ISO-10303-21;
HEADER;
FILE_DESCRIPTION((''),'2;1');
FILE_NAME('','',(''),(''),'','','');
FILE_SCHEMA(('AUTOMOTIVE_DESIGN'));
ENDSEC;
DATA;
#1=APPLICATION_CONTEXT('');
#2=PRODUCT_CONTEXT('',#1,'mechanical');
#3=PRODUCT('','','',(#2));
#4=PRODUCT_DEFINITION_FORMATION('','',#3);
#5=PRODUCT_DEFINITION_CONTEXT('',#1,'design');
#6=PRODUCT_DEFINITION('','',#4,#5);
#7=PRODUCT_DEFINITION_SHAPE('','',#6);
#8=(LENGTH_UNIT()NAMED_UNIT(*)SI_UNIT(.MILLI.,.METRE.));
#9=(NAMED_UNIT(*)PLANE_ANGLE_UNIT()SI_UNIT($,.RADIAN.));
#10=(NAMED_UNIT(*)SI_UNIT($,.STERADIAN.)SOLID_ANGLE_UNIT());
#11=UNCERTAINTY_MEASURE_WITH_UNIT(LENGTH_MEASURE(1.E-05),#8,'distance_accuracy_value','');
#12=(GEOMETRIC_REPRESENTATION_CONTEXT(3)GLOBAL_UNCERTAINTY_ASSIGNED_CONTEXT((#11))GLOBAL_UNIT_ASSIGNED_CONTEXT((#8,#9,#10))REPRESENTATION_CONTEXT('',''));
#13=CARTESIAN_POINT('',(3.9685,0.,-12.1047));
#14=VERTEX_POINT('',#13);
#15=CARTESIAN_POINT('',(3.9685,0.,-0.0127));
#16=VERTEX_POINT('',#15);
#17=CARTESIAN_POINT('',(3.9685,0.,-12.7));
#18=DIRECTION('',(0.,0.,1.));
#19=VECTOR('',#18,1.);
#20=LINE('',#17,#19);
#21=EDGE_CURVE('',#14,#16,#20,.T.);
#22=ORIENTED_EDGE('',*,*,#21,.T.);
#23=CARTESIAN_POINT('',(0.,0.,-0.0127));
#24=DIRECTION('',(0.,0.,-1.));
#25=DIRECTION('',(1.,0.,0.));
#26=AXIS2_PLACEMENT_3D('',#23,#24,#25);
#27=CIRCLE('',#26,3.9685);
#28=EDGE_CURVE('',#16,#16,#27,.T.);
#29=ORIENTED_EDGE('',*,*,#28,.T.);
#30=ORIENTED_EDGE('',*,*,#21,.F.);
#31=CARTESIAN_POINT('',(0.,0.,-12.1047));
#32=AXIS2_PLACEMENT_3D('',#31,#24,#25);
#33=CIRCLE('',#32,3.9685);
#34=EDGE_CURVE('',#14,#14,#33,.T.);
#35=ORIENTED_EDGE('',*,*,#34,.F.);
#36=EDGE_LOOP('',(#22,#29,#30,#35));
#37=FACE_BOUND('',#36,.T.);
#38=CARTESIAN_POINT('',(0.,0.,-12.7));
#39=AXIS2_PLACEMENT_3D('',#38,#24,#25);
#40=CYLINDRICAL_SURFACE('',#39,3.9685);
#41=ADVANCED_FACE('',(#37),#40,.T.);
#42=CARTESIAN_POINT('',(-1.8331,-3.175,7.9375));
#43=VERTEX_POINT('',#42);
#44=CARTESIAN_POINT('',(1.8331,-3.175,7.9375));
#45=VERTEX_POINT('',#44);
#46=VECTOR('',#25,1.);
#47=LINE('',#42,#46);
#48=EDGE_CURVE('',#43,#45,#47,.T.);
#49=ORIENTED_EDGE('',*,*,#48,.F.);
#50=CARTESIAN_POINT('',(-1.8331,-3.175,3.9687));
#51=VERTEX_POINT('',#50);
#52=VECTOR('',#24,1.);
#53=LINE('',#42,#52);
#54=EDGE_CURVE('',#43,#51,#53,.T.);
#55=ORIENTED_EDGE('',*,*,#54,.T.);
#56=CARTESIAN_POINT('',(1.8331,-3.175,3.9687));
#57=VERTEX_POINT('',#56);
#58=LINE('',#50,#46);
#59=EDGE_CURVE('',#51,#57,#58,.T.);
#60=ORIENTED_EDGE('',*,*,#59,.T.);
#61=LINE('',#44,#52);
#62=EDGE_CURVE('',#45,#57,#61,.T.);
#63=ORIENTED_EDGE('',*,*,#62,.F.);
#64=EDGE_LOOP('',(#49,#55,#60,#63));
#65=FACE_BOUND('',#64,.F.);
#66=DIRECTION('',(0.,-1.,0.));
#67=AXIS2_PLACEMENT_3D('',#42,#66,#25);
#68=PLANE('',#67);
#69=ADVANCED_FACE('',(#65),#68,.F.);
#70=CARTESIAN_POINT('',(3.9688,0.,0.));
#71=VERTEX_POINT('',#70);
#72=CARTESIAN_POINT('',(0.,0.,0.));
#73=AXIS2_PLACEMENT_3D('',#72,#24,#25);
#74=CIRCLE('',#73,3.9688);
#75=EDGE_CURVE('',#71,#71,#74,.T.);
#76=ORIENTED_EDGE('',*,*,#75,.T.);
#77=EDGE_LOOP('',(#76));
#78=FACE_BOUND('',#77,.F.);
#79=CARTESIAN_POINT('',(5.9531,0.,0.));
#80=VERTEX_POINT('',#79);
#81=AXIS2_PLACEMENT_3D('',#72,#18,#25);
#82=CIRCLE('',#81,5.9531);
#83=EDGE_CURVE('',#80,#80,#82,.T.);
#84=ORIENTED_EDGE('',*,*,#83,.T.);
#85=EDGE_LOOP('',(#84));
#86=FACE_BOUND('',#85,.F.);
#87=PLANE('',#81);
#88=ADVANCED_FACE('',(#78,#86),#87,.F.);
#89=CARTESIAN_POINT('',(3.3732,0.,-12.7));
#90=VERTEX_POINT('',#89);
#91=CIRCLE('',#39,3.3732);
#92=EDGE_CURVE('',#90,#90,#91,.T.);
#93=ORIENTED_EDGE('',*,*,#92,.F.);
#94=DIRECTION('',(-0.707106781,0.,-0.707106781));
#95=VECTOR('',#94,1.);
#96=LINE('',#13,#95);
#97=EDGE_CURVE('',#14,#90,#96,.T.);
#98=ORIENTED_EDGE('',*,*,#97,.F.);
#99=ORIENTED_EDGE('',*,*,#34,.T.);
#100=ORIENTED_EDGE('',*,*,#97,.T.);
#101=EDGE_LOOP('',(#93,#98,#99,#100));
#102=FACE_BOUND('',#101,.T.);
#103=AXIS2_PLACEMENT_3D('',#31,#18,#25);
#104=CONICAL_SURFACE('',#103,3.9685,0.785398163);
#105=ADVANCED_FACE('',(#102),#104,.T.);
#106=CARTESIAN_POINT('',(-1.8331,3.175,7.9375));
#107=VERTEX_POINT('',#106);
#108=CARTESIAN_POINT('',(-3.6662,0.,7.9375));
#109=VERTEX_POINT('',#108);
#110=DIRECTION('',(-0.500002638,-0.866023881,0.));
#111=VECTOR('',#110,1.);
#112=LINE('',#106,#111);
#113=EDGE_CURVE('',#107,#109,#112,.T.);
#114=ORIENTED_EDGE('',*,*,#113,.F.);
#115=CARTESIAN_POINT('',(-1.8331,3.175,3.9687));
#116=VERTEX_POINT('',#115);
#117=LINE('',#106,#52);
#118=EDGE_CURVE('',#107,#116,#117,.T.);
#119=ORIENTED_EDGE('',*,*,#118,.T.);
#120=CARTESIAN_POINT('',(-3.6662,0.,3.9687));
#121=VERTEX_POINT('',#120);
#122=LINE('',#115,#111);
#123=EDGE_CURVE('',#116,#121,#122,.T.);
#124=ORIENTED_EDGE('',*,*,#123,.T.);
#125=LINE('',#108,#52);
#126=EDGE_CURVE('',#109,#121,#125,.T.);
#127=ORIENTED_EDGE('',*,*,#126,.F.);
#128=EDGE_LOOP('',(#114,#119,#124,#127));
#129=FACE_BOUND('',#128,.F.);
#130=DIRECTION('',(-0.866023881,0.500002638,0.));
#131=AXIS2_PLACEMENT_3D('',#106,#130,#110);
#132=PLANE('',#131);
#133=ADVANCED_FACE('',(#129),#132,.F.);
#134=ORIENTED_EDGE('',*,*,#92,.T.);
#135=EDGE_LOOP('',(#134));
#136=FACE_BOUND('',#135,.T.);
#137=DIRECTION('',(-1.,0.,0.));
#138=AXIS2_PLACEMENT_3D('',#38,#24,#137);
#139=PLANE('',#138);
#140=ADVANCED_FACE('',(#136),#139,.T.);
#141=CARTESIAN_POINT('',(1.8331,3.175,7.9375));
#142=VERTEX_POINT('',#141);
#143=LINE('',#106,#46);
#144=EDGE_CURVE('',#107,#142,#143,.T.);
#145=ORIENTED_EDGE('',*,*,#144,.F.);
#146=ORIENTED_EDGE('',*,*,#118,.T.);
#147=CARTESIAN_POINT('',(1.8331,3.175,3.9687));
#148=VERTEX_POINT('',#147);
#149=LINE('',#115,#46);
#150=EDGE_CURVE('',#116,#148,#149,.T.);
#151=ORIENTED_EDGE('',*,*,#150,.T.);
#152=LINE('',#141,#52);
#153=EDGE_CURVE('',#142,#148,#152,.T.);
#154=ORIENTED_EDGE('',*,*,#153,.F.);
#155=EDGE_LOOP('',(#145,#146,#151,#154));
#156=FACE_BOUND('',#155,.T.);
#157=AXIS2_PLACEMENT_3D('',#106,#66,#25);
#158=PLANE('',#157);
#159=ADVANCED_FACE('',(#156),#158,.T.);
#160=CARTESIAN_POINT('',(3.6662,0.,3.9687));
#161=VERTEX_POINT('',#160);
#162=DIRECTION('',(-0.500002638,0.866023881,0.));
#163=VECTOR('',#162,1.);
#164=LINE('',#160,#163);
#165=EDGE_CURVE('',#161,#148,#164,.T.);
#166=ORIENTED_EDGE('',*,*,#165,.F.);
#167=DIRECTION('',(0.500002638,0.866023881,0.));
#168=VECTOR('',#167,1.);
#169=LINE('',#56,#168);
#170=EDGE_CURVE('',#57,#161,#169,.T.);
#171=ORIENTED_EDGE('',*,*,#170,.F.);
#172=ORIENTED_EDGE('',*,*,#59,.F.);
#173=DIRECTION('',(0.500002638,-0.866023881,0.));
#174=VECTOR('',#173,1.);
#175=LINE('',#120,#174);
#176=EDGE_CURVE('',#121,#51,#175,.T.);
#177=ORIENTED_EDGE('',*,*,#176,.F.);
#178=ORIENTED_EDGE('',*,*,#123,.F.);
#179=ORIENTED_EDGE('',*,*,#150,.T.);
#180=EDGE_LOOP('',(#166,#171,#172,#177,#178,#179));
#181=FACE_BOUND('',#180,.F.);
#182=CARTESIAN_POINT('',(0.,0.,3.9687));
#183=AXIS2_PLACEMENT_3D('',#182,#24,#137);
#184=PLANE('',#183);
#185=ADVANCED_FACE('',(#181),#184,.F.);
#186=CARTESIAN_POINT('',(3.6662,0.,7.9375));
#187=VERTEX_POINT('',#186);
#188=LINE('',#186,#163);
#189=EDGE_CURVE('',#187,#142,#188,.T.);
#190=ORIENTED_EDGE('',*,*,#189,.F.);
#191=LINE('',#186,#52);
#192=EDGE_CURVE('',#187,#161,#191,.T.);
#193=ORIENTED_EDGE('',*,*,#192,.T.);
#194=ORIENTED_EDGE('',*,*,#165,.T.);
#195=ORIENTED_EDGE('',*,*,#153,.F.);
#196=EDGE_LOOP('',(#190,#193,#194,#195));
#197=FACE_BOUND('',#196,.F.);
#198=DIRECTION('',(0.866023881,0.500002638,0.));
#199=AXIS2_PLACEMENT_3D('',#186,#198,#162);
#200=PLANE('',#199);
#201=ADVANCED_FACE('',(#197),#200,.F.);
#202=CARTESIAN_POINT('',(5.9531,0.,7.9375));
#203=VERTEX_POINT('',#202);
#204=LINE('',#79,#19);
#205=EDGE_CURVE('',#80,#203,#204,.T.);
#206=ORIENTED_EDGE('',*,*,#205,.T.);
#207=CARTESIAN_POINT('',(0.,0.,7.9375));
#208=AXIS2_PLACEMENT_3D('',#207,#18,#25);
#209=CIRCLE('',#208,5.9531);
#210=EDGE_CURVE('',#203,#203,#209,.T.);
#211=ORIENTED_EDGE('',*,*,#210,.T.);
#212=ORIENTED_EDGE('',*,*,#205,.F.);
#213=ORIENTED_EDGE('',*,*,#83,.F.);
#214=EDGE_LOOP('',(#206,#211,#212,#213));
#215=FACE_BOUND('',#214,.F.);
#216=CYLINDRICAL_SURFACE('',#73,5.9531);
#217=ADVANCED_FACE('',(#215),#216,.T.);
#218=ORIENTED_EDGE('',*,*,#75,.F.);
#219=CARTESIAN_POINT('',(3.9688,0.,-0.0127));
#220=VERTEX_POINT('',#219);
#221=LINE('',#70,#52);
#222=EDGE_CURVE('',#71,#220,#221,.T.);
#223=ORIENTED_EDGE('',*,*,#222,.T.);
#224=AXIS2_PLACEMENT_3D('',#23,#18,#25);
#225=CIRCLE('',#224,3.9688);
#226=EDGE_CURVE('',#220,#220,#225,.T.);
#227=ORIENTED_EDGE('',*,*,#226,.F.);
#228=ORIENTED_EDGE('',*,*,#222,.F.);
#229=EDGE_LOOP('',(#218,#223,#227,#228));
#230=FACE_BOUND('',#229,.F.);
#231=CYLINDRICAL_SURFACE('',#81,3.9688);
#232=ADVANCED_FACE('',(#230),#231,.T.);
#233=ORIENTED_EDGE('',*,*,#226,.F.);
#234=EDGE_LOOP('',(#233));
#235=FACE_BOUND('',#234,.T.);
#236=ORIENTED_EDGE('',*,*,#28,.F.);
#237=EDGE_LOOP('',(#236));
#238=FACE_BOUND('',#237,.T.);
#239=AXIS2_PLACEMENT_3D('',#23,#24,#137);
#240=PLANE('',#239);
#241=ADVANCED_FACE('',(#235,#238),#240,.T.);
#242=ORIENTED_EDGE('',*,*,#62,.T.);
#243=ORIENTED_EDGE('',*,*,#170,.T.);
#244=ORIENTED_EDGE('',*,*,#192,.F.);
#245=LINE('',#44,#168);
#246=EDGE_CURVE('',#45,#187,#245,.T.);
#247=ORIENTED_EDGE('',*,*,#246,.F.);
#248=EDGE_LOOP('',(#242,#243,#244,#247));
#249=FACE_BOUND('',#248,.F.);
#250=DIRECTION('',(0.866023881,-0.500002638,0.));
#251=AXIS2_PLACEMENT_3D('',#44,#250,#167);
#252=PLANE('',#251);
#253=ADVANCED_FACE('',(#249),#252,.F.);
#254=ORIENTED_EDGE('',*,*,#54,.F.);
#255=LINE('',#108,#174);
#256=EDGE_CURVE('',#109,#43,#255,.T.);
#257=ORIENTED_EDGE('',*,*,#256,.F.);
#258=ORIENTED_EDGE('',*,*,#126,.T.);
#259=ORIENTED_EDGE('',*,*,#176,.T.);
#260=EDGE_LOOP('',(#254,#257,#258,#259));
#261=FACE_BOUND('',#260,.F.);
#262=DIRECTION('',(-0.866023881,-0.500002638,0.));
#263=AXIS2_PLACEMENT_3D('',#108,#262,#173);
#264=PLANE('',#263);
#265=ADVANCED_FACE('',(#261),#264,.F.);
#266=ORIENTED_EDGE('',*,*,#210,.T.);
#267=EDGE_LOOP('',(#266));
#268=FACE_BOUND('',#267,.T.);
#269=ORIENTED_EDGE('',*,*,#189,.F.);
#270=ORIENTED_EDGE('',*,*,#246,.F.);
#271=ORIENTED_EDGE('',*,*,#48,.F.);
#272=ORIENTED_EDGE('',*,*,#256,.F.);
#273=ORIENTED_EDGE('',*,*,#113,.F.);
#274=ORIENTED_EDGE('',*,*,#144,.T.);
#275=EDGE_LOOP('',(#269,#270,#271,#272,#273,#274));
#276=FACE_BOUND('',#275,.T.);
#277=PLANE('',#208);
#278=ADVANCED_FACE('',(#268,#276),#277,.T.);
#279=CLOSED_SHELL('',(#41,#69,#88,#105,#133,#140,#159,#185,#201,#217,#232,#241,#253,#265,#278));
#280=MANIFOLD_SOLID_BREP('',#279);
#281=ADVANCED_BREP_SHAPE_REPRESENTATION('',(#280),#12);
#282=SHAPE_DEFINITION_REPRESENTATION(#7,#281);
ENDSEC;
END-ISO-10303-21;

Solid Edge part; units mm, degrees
sketch "Sketch1" plane through (0, 0, 0) normal (0, 0, 1) x (1, 0, 0)
  circle A0 centre (0, 0) radius 5.9531
  dimension "D1" = 11.9062
extrude "Protrusion1" add sketch "Sketch1" along normal blind 7.9375
sketch "Sketch2" plane through (0, 0, 0) normal (0, 0, -1) x (1, 0, 0)
  circle A0 centre (0, 0) radius 3.9688
extrude "Protrusion2" add sketch "Sketch2" along normal blind 12.7
sketch "Sketch3" plane through (0, 0, -12.7) normal (0, 0, -1) x (1, 0, 0)
  circle A0 centre (0, 0) radius 3.9685
extrude "Cutout1" cut sketch "Sketch3" against normal blind 12.6873 flip side to cut
chamfer "Chamfer_1" distance 0.5953 angle 45 1 edges at (-3.9685, 0, -12.7)
sketch "Sketch4" plane through (0, 0, 7.9375) normal (0, 0, 1) x (1, 0, 0)
  line L0 (-1.8331, 3.175) -> (1.8331, 3.175)
  line L1 (3.6662, 0) -> (1.8331, 3.175)
  line L2 (1.8331, -3.175) -> (3.6662, 0)
  line L3 (-1.8331, -3.175) -> (1.8331, -3.175)
  line L4 (-3.6662, 0) -> (-1.8331, -3.175)
  line L5 (-1.8331, 3.175) -> (-3.6662, 0)
  dimension "D1" = 6.35
extrude "Cutout2" cut sketch "Sketch4" against normal blind 3.9688
properties part number "24102201"
